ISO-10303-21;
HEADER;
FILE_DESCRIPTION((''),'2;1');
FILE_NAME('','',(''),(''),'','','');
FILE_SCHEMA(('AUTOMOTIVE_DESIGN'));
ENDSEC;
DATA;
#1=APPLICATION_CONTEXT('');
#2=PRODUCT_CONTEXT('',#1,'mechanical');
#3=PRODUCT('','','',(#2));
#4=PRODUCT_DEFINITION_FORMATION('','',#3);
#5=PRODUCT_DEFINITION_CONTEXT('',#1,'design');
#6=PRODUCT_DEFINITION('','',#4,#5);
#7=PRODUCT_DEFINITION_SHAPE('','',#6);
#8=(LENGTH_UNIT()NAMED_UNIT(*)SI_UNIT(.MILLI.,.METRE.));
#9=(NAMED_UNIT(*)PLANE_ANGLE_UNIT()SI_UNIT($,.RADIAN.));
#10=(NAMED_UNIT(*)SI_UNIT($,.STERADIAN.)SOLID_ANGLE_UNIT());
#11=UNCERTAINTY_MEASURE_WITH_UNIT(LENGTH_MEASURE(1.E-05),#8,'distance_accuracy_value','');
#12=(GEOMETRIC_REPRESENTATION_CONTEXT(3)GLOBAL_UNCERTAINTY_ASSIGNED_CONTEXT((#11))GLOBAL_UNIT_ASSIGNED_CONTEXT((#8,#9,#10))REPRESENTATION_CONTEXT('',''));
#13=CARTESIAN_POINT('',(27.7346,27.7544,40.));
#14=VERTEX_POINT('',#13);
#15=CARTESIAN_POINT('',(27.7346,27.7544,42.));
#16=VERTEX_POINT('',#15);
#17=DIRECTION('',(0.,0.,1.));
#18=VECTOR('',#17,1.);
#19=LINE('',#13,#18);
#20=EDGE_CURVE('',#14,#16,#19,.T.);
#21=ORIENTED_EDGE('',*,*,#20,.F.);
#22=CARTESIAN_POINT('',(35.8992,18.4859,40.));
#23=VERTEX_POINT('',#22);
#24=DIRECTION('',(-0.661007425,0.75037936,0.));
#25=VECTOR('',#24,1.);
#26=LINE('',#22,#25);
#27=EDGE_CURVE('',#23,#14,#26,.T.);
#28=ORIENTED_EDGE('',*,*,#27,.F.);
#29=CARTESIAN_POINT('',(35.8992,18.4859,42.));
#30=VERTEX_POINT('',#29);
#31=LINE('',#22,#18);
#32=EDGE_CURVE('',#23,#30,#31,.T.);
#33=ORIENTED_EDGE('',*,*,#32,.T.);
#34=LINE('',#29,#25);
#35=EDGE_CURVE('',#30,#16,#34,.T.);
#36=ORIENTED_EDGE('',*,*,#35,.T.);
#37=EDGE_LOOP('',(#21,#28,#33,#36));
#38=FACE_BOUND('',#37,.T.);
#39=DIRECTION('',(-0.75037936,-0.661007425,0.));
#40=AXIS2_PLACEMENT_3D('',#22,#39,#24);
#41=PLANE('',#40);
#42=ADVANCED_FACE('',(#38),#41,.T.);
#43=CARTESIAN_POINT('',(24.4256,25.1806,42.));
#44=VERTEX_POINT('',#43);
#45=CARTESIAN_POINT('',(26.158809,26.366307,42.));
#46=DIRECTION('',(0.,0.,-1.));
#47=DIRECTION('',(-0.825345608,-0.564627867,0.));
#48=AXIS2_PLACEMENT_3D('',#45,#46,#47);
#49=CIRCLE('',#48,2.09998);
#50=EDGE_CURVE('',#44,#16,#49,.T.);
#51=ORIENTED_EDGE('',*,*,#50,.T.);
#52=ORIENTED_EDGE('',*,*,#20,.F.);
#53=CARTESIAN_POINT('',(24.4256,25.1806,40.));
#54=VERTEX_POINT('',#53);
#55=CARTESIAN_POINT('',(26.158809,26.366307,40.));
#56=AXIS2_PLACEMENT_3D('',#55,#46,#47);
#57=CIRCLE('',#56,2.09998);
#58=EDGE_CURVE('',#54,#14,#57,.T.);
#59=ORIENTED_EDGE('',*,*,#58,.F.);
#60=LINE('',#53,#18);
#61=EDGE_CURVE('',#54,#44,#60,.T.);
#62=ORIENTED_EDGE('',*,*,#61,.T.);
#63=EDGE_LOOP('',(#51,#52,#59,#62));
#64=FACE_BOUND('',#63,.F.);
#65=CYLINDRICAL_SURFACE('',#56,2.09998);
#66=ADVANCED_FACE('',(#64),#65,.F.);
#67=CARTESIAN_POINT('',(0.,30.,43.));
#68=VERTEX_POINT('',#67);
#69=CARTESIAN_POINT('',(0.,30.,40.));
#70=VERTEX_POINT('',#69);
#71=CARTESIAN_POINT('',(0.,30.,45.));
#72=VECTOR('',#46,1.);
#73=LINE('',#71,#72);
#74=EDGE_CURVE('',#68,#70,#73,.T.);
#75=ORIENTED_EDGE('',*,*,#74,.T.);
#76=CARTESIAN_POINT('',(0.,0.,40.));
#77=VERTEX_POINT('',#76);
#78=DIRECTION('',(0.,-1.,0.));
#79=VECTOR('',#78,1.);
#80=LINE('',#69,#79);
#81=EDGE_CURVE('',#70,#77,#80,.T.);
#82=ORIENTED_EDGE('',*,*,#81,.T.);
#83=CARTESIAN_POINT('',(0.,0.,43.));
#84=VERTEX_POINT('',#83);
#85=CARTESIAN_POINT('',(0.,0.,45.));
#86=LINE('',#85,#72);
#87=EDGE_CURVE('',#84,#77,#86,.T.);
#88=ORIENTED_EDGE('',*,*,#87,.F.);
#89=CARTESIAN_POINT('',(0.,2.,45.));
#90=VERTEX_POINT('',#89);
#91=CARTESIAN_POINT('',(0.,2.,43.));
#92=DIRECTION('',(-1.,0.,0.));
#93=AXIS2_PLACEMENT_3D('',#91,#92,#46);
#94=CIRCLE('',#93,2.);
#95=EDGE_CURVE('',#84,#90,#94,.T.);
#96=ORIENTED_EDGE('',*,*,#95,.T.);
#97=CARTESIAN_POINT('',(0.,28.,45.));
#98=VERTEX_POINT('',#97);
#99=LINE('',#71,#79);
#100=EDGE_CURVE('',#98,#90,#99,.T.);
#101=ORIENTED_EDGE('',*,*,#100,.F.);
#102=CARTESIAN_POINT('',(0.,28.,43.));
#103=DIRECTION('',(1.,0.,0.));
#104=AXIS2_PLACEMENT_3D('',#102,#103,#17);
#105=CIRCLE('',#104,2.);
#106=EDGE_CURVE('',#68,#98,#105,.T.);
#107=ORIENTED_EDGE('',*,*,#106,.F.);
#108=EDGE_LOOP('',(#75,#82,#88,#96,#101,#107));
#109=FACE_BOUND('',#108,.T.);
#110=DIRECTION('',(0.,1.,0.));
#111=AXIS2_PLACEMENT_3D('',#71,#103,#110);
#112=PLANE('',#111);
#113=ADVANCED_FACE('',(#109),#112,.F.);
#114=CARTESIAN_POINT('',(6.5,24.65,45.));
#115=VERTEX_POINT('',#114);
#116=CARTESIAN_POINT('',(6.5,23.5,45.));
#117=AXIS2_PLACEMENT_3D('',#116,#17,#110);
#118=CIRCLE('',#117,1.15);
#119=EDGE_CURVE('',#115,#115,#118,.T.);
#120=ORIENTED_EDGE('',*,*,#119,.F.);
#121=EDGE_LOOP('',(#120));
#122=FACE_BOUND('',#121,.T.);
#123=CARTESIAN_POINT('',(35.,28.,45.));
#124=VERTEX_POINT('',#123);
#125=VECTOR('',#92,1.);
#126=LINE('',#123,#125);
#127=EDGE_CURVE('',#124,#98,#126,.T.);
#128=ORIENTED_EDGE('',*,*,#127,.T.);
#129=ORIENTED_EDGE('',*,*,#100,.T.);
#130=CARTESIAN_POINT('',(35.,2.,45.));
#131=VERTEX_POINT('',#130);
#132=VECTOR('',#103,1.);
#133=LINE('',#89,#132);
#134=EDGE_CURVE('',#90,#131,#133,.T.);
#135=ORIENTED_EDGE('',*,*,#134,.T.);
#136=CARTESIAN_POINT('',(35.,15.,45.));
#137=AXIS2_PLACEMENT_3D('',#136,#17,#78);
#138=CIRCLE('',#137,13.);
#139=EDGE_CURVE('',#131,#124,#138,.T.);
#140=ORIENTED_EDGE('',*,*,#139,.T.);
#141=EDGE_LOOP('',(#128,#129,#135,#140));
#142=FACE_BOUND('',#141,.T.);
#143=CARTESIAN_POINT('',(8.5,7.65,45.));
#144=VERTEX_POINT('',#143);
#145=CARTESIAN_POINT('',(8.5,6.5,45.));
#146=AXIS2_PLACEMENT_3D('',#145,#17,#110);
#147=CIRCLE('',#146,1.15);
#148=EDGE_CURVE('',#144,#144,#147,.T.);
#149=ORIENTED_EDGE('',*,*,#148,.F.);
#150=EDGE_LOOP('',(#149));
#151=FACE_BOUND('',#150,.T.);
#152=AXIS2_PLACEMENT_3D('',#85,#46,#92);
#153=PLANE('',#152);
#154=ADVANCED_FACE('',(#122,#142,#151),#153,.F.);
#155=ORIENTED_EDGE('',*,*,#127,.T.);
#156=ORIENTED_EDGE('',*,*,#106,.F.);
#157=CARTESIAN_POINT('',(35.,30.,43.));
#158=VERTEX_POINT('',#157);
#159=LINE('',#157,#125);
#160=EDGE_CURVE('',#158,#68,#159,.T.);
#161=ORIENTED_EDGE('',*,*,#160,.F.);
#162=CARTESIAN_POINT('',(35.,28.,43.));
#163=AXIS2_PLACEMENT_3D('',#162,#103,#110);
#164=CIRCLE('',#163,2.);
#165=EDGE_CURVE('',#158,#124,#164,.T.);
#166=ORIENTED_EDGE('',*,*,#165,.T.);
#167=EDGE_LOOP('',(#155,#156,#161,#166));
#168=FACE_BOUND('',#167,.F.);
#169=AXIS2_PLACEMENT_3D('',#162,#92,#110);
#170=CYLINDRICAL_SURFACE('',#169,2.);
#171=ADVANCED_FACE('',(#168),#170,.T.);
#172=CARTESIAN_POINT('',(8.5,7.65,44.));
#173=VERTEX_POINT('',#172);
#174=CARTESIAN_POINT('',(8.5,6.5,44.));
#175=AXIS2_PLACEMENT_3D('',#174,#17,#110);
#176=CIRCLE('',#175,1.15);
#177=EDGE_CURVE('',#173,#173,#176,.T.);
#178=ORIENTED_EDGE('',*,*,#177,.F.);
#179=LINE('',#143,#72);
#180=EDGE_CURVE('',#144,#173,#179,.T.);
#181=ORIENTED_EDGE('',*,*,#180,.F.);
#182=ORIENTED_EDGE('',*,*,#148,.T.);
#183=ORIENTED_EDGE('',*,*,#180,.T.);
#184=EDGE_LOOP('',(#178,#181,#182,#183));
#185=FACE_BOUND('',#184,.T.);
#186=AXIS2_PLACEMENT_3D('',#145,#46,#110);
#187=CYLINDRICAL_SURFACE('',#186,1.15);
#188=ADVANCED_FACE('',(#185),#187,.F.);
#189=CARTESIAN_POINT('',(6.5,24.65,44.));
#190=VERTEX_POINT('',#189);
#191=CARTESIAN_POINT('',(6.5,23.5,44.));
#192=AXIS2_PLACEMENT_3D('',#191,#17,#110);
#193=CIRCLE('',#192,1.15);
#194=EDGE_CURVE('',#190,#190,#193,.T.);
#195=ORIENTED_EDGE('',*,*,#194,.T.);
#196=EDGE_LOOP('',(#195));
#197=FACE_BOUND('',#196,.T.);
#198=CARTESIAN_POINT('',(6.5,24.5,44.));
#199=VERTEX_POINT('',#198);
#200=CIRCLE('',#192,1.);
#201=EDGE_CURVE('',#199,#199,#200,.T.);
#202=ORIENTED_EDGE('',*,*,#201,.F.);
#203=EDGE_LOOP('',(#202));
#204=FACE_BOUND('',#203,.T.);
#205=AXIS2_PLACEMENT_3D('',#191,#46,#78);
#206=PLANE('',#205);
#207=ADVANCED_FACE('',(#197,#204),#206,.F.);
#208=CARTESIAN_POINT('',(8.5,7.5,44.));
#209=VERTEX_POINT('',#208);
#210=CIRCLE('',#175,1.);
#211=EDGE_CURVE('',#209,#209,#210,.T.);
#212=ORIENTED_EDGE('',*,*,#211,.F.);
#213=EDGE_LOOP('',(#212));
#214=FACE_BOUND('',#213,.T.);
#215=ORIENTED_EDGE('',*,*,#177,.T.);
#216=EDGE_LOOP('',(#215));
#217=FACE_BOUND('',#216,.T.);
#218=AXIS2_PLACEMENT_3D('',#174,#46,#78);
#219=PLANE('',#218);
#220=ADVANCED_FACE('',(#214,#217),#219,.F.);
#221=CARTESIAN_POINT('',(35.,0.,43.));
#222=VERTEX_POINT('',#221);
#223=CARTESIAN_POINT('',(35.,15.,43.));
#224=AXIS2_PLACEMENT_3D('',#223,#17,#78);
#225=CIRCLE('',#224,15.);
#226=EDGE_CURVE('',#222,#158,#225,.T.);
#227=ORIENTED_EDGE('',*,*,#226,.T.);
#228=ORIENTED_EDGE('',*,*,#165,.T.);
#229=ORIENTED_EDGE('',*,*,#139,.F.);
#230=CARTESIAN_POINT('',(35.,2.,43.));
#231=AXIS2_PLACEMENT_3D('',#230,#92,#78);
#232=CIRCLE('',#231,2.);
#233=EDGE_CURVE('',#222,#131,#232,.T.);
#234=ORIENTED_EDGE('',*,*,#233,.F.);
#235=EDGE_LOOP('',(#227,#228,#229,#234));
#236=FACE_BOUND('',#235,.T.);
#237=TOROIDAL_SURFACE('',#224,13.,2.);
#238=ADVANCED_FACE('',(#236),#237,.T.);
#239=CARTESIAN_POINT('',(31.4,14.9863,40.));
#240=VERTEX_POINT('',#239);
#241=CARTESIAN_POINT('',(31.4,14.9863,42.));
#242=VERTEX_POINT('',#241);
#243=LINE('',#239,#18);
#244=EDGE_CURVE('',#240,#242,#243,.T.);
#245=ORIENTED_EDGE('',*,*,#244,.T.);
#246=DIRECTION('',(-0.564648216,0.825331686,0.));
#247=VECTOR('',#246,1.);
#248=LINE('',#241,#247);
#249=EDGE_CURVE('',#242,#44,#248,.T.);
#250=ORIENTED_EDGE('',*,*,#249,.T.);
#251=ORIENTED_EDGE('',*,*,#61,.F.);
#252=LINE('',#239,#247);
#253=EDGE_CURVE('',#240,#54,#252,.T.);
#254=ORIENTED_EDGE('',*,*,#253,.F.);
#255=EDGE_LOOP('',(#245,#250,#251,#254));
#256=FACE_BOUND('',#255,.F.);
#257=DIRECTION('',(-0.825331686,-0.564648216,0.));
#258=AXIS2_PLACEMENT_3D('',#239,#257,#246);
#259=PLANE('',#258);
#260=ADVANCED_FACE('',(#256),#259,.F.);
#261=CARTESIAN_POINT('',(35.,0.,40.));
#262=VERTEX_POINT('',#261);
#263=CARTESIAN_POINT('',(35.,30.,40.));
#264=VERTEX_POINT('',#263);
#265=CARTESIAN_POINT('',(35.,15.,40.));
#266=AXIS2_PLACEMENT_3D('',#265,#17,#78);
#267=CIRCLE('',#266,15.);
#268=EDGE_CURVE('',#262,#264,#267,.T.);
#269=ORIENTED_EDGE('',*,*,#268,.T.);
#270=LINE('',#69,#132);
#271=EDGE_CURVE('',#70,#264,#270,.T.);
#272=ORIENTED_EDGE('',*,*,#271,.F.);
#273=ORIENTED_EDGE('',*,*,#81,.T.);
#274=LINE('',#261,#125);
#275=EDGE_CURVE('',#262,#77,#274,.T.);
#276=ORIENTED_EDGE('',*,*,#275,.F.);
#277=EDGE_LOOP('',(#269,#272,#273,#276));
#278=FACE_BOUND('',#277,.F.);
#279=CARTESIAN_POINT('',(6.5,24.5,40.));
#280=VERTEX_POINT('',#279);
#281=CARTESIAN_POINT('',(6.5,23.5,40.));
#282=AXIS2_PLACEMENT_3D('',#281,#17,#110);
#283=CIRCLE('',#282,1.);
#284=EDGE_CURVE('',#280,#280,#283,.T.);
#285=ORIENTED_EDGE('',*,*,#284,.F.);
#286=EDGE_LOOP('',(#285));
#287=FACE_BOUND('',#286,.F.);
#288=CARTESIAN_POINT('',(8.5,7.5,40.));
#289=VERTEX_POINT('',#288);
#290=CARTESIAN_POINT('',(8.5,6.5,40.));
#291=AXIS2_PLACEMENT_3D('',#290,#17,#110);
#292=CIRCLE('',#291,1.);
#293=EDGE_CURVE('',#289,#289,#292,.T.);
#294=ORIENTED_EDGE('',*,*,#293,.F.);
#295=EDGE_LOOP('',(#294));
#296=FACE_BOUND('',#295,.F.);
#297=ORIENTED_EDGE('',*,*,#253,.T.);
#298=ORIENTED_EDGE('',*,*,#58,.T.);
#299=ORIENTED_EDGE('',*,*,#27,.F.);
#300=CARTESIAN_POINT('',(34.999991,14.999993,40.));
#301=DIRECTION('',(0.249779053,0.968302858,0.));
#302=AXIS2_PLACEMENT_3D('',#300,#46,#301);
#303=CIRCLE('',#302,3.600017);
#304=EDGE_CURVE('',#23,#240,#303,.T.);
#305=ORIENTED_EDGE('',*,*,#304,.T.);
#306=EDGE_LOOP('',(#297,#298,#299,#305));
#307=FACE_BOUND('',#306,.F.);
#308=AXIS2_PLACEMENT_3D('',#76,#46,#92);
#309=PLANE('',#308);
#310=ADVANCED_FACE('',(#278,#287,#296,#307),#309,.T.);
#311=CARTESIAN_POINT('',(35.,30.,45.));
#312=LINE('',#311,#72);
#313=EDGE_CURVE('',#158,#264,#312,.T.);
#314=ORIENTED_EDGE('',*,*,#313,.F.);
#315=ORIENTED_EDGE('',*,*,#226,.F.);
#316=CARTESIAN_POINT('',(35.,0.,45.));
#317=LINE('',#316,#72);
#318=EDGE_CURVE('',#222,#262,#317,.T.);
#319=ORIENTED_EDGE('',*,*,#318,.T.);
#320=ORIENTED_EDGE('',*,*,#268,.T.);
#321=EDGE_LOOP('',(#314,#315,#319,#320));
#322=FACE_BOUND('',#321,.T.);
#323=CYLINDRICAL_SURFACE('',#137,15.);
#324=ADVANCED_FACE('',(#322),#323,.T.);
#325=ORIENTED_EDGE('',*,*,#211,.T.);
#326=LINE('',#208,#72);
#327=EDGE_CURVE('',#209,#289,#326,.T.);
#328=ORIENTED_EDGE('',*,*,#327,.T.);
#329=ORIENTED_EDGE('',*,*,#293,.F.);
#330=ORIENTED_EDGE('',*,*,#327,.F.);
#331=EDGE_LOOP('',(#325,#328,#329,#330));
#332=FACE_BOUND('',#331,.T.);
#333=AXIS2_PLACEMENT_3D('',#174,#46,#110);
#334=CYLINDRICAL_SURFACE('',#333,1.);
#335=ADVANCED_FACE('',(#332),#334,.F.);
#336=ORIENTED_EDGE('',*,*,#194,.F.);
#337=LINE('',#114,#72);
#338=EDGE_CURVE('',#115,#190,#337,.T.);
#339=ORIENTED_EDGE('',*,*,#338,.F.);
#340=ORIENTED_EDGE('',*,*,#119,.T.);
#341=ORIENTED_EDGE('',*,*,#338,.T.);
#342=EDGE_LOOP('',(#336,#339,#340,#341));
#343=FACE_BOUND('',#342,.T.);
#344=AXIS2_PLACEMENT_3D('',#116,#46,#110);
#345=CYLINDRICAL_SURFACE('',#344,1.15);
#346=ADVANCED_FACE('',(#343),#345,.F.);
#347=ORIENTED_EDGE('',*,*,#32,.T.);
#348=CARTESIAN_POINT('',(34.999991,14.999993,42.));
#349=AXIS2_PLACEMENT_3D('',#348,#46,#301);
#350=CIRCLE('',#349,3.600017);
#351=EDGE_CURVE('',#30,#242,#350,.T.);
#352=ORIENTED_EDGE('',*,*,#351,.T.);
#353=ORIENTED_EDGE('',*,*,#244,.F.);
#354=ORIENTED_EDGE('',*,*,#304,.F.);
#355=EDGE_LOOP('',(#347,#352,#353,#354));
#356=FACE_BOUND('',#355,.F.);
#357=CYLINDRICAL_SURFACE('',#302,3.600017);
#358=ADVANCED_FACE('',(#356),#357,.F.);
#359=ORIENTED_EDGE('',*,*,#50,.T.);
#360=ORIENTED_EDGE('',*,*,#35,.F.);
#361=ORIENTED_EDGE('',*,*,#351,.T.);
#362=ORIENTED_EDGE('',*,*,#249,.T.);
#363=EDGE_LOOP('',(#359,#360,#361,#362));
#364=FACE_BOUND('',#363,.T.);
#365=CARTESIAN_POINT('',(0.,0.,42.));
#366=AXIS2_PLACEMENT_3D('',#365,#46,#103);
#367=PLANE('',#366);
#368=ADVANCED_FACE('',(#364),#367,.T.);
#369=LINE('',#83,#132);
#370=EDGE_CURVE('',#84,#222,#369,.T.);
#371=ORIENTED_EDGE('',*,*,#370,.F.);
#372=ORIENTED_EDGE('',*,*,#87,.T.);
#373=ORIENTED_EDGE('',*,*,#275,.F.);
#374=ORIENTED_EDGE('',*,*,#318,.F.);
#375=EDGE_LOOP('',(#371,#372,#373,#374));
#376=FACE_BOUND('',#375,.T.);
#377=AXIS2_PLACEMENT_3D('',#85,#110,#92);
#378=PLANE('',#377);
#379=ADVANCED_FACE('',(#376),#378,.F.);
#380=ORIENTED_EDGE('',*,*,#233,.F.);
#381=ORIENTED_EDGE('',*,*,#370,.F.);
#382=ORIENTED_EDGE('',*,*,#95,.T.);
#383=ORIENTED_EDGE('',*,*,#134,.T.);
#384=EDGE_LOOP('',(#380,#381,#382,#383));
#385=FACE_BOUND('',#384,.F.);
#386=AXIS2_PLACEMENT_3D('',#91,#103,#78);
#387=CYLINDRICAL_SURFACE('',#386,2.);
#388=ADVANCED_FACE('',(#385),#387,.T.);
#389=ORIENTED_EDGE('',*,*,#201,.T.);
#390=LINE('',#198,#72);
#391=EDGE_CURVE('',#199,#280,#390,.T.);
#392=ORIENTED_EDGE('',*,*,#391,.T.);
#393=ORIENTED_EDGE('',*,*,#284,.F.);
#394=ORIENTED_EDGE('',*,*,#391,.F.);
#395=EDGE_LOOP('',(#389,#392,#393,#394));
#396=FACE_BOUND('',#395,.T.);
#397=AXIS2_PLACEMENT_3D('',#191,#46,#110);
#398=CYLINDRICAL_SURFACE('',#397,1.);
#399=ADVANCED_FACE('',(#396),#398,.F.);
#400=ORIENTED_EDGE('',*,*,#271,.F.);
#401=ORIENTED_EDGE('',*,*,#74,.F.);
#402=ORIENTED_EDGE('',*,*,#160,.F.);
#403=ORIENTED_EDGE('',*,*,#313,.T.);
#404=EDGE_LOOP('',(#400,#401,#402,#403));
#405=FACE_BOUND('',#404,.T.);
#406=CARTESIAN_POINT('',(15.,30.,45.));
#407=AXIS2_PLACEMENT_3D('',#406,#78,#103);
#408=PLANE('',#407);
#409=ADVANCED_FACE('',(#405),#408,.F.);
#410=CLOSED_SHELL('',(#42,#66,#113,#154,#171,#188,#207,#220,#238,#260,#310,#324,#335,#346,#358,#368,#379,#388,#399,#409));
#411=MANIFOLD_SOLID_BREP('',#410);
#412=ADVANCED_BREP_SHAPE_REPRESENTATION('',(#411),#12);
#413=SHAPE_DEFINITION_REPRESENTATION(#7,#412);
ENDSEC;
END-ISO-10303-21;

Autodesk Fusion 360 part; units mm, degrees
sketch "Sketch1" plane through (0, 0, 0) normal (0, 0, 1) x (1, 0, 0)
  line L0 (0, 0) -> (35, 0)
  line L1 (35, 30) -> (0, 30)
  line L2 (0, 30) -> (0, 0)
  circle A0 centre (35, 15) radius 2.25
  arc A1 (35, 0) -> (35, 30) centre (35, 15) ccw
  line L3 (15, 0) -> (15, 30)
  line L4 (15, 15) -> (0, 30) construction
  line L5 (7.5, 22.5) -> (7.5, 30) construction
  line L6 (7.5, 22.5) -> (0, 22.5) construction
  circle A2 centre (6.5, 23.5) radius 1
  circle A3 centre (8.5, 23.5) radius 1 construction
  circle A4 centre (8.5, 6.5) radius 1
  line L7 (15, 0) -> (0, 15) construction
  line L8 (7.5, 7.5) -> (7.5, 0) construction
  line L9 (7.5, 7.5) -> (15, 7.5) construction
  point P0 (40, 0)
  point P1 (15, 15)
  dimension "d1" = 30
  dimension "d7" = 35
  dimension "d8" = 35
  dimension "d9" = 4.5
  dimension "d14" = 2
  dimension "d36" = 2
extrude "Extrude1" add sketch "Sketch1" along normal blind 5 contours L0 L1 L2 L3 | L0 L1 A1 L3 | A0 | A2 | A4 makes body 1
hole "Hole1" at (8.5, 6.5, 0) at (6.5, 23.5, 0) direction (0, 0, 1) diameter 2 end through all counterbore diameter 2.3 counterbore depth 1 bodies 1 1
sketch "Sketch2" plane through (0, 0, 5) normal (0, 0, 1) x (-1, 0, 0)
  circle A0 centre (-8.5, -6.5) radius 1
  circle A1 centre (-6.5, -23.5) radius 1
  arc A2 (-35, 0) -> (-35, -30) centre (-35, -15) ccw
  line L0 (-35, -30) -> (0, -30)
  line L1 (0, -30) -> (0, 0)
  line L2 (0, 0) -> (-35, 0)
  circle A3 centre (-35, -15) radius 2.25
fillet "Fillet1" radius 2 3 edges at (17.5, 0, 0) (50, 15, 0) (17.5, 30, 0) on bodies 1
ref_plane "WorkPlane1" through (25, 15, 22.5) normal (0, 0, 1) x (1, 0, 0)
mirror "Mirror1" about plane through (25, 15, 22.5) normal (0, 0, 1) of bodies 1 makes body 2
extrude "Extrude2" cut sketch "Sketch2" against normal blind 4 contours A3 bodies 1
sketch "Sketch3" plane through (0, 0, 40) normal (0, 0, -1) x (1, 0, 0)
  circle A0 centre (8.5, -6.5) radius 1
  circle A1 centre (6.5, -23.5) radius 1
  arc A2 (35, -30) -> (35, 0) centre (35, -15) ccw
  line L0 (35, 0) -> (0, 0)
  line L1 (0, 0) -> (0, -30)
  line L2 (0, -30) -> (35, -30)
  line L3 (31.4, -14.9863) -> (24.4256, -25.1806)
  line L4 (35, -15) -> (24.8695, -28.0239) construction
  arc A3 (24.4256, -25.1806) -> (27.7346, -27.7544) centre (26.1588, -26.3663) ccw
  line L5 (35.8992, -18.4859) -> (27.7346, -27.7544)
  line L6 (31.4, -14.9863) -> (35.8992, -18.4859) construction
  arc A4 (35.8992, -18.4859) -> (31.4, -14.9863) centre (35, -15) ccw
  point P0 (35, -15)
  point P1 (35, -15)
  dimension "d30" = 4.2
  dimension "d31" = 5.7
  dimension "d32" = 16.5
  dimension "d33" = 7.2
extrude "Extrude3" cut sketch "Sketch3" against normal blind 2 contours L3 A3 L5 A4 bodies 2
hidden bodies 1
equation "d1 = breadth"
equation "breadth = 30 mm"
equation "length = 50 mm"
equation "d7 = length - d6"
equation "d8 = d7"
equation "d27 = ( 35 / 2 ) * 1 mm"
equation "d36 = d14"
